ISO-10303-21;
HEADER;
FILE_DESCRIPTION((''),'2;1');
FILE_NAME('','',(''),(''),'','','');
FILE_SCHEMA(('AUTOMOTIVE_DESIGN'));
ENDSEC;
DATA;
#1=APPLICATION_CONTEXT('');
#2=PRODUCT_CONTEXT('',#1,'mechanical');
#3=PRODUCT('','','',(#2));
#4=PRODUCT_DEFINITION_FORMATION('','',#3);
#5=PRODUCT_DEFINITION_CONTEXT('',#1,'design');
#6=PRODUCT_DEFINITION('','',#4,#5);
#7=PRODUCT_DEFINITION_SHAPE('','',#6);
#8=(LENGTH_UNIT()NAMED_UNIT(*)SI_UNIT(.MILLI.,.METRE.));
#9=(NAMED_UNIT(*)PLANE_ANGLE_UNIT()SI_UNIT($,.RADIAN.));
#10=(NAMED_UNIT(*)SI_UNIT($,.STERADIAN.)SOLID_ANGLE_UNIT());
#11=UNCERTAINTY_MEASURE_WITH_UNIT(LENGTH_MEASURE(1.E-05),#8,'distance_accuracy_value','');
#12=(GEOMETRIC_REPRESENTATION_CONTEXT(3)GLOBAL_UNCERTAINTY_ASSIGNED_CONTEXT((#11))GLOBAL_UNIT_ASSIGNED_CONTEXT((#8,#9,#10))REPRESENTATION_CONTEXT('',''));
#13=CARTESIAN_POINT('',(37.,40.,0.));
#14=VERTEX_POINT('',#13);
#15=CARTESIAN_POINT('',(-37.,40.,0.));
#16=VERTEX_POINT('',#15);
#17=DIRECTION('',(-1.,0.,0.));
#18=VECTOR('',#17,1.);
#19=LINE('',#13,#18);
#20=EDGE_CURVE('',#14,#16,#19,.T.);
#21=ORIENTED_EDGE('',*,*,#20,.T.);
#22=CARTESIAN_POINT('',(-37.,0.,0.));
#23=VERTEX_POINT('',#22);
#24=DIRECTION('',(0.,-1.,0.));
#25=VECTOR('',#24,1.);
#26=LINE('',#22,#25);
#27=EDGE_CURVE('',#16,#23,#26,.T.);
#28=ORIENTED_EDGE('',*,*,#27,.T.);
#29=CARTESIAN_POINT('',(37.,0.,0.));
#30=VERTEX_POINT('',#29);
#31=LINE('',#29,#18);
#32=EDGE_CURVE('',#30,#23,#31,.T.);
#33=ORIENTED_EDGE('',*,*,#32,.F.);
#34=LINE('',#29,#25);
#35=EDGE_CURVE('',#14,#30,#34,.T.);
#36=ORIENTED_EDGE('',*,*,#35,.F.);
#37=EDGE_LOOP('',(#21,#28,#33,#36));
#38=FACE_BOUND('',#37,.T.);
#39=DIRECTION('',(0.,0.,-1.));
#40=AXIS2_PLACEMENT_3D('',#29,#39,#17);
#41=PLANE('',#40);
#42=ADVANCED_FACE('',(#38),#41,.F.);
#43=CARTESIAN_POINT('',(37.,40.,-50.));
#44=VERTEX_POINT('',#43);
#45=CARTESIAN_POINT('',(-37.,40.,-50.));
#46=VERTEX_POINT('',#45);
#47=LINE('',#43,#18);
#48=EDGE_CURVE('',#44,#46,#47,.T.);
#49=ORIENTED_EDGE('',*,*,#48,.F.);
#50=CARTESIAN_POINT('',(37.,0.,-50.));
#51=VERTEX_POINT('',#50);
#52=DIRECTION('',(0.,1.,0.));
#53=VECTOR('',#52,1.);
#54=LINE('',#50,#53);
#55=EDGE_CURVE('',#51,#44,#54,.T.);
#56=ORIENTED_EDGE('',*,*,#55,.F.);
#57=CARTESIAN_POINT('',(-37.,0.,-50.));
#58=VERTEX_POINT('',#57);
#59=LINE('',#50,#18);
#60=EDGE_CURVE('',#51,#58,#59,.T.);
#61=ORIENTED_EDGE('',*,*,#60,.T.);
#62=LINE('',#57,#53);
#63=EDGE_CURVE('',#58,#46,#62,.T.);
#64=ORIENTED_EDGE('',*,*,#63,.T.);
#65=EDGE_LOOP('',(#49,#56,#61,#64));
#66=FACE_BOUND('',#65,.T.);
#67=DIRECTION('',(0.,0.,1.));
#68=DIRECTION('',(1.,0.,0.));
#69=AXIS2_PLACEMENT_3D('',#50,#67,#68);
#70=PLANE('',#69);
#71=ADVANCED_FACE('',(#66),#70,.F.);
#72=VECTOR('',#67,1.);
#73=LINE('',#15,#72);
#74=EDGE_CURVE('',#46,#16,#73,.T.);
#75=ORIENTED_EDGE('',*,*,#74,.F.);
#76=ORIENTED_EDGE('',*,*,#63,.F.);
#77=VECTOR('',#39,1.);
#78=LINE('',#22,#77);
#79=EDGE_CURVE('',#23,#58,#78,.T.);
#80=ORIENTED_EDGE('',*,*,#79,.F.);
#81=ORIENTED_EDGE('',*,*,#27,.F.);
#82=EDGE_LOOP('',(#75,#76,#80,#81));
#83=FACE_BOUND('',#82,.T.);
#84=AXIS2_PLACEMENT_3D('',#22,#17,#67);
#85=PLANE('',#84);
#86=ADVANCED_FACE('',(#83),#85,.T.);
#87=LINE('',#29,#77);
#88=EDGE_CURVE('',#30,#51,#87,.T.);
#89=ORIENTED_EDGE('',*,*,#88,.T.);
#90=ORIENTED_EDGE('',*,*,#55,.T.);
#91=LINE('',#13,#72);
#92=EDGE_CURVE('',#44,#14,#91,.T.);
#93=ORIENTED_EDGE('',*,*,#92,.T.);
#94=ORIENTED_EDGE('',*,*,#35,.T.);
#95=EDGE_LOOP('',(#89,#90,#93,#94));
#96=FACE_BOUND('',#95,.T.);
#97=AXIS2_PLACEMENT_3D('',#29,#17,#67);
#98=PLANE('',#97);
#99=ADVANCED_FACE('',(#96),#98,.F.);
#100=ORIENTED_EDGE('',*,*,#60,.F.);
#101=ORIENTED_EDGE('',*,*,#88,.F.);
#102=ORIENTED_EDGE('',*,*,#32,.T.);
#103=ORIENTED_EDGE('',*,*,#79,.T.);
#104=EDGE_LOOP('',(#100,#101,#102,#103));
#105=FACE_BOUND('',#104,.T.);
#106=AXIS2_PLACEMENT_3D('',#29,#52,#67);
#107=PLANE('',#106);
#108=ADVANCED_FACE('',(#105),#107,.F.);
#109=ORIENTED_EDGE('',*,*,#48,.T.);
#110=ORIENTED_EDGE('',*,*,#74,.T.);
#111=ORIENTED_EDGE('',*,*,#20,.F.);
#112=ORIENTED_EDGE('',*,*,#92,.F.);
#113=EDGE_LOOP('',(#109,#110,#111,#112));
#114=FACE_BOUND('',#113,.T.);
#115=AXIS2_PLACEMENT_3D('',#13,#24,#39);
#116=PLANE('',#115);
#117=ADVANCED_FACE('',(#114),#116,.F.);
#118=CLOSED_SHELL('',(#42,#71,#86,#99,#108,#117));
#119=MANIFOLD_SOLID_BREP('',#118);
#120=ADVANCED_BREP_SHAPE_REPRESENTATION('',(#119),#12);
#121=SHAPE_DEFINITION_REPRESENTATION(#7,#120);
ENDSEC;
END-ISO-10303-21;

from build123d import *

# Parameters (mm, degrees)
SKETCH1_W           = 50
SKETCH1_H           = 40
BOSS_EXTRUDE1_DEPTH = 37


with BuildPart() as part:
    # Sketch1 → Boss-Extrude1 (new, symmetric)
    with BuildSketch(Plane(origin=(0, 0, 0), x_dir=(0, 0, -1), z_dir=(1, 0, 0))):
        with Locations((25, 20)):
            Rectangle(SKETCH1_W, SKETCH1_H)
    extrude(amount=BOSS_EXTRUDE1_DEPTH, both=True)


solid = part.part
